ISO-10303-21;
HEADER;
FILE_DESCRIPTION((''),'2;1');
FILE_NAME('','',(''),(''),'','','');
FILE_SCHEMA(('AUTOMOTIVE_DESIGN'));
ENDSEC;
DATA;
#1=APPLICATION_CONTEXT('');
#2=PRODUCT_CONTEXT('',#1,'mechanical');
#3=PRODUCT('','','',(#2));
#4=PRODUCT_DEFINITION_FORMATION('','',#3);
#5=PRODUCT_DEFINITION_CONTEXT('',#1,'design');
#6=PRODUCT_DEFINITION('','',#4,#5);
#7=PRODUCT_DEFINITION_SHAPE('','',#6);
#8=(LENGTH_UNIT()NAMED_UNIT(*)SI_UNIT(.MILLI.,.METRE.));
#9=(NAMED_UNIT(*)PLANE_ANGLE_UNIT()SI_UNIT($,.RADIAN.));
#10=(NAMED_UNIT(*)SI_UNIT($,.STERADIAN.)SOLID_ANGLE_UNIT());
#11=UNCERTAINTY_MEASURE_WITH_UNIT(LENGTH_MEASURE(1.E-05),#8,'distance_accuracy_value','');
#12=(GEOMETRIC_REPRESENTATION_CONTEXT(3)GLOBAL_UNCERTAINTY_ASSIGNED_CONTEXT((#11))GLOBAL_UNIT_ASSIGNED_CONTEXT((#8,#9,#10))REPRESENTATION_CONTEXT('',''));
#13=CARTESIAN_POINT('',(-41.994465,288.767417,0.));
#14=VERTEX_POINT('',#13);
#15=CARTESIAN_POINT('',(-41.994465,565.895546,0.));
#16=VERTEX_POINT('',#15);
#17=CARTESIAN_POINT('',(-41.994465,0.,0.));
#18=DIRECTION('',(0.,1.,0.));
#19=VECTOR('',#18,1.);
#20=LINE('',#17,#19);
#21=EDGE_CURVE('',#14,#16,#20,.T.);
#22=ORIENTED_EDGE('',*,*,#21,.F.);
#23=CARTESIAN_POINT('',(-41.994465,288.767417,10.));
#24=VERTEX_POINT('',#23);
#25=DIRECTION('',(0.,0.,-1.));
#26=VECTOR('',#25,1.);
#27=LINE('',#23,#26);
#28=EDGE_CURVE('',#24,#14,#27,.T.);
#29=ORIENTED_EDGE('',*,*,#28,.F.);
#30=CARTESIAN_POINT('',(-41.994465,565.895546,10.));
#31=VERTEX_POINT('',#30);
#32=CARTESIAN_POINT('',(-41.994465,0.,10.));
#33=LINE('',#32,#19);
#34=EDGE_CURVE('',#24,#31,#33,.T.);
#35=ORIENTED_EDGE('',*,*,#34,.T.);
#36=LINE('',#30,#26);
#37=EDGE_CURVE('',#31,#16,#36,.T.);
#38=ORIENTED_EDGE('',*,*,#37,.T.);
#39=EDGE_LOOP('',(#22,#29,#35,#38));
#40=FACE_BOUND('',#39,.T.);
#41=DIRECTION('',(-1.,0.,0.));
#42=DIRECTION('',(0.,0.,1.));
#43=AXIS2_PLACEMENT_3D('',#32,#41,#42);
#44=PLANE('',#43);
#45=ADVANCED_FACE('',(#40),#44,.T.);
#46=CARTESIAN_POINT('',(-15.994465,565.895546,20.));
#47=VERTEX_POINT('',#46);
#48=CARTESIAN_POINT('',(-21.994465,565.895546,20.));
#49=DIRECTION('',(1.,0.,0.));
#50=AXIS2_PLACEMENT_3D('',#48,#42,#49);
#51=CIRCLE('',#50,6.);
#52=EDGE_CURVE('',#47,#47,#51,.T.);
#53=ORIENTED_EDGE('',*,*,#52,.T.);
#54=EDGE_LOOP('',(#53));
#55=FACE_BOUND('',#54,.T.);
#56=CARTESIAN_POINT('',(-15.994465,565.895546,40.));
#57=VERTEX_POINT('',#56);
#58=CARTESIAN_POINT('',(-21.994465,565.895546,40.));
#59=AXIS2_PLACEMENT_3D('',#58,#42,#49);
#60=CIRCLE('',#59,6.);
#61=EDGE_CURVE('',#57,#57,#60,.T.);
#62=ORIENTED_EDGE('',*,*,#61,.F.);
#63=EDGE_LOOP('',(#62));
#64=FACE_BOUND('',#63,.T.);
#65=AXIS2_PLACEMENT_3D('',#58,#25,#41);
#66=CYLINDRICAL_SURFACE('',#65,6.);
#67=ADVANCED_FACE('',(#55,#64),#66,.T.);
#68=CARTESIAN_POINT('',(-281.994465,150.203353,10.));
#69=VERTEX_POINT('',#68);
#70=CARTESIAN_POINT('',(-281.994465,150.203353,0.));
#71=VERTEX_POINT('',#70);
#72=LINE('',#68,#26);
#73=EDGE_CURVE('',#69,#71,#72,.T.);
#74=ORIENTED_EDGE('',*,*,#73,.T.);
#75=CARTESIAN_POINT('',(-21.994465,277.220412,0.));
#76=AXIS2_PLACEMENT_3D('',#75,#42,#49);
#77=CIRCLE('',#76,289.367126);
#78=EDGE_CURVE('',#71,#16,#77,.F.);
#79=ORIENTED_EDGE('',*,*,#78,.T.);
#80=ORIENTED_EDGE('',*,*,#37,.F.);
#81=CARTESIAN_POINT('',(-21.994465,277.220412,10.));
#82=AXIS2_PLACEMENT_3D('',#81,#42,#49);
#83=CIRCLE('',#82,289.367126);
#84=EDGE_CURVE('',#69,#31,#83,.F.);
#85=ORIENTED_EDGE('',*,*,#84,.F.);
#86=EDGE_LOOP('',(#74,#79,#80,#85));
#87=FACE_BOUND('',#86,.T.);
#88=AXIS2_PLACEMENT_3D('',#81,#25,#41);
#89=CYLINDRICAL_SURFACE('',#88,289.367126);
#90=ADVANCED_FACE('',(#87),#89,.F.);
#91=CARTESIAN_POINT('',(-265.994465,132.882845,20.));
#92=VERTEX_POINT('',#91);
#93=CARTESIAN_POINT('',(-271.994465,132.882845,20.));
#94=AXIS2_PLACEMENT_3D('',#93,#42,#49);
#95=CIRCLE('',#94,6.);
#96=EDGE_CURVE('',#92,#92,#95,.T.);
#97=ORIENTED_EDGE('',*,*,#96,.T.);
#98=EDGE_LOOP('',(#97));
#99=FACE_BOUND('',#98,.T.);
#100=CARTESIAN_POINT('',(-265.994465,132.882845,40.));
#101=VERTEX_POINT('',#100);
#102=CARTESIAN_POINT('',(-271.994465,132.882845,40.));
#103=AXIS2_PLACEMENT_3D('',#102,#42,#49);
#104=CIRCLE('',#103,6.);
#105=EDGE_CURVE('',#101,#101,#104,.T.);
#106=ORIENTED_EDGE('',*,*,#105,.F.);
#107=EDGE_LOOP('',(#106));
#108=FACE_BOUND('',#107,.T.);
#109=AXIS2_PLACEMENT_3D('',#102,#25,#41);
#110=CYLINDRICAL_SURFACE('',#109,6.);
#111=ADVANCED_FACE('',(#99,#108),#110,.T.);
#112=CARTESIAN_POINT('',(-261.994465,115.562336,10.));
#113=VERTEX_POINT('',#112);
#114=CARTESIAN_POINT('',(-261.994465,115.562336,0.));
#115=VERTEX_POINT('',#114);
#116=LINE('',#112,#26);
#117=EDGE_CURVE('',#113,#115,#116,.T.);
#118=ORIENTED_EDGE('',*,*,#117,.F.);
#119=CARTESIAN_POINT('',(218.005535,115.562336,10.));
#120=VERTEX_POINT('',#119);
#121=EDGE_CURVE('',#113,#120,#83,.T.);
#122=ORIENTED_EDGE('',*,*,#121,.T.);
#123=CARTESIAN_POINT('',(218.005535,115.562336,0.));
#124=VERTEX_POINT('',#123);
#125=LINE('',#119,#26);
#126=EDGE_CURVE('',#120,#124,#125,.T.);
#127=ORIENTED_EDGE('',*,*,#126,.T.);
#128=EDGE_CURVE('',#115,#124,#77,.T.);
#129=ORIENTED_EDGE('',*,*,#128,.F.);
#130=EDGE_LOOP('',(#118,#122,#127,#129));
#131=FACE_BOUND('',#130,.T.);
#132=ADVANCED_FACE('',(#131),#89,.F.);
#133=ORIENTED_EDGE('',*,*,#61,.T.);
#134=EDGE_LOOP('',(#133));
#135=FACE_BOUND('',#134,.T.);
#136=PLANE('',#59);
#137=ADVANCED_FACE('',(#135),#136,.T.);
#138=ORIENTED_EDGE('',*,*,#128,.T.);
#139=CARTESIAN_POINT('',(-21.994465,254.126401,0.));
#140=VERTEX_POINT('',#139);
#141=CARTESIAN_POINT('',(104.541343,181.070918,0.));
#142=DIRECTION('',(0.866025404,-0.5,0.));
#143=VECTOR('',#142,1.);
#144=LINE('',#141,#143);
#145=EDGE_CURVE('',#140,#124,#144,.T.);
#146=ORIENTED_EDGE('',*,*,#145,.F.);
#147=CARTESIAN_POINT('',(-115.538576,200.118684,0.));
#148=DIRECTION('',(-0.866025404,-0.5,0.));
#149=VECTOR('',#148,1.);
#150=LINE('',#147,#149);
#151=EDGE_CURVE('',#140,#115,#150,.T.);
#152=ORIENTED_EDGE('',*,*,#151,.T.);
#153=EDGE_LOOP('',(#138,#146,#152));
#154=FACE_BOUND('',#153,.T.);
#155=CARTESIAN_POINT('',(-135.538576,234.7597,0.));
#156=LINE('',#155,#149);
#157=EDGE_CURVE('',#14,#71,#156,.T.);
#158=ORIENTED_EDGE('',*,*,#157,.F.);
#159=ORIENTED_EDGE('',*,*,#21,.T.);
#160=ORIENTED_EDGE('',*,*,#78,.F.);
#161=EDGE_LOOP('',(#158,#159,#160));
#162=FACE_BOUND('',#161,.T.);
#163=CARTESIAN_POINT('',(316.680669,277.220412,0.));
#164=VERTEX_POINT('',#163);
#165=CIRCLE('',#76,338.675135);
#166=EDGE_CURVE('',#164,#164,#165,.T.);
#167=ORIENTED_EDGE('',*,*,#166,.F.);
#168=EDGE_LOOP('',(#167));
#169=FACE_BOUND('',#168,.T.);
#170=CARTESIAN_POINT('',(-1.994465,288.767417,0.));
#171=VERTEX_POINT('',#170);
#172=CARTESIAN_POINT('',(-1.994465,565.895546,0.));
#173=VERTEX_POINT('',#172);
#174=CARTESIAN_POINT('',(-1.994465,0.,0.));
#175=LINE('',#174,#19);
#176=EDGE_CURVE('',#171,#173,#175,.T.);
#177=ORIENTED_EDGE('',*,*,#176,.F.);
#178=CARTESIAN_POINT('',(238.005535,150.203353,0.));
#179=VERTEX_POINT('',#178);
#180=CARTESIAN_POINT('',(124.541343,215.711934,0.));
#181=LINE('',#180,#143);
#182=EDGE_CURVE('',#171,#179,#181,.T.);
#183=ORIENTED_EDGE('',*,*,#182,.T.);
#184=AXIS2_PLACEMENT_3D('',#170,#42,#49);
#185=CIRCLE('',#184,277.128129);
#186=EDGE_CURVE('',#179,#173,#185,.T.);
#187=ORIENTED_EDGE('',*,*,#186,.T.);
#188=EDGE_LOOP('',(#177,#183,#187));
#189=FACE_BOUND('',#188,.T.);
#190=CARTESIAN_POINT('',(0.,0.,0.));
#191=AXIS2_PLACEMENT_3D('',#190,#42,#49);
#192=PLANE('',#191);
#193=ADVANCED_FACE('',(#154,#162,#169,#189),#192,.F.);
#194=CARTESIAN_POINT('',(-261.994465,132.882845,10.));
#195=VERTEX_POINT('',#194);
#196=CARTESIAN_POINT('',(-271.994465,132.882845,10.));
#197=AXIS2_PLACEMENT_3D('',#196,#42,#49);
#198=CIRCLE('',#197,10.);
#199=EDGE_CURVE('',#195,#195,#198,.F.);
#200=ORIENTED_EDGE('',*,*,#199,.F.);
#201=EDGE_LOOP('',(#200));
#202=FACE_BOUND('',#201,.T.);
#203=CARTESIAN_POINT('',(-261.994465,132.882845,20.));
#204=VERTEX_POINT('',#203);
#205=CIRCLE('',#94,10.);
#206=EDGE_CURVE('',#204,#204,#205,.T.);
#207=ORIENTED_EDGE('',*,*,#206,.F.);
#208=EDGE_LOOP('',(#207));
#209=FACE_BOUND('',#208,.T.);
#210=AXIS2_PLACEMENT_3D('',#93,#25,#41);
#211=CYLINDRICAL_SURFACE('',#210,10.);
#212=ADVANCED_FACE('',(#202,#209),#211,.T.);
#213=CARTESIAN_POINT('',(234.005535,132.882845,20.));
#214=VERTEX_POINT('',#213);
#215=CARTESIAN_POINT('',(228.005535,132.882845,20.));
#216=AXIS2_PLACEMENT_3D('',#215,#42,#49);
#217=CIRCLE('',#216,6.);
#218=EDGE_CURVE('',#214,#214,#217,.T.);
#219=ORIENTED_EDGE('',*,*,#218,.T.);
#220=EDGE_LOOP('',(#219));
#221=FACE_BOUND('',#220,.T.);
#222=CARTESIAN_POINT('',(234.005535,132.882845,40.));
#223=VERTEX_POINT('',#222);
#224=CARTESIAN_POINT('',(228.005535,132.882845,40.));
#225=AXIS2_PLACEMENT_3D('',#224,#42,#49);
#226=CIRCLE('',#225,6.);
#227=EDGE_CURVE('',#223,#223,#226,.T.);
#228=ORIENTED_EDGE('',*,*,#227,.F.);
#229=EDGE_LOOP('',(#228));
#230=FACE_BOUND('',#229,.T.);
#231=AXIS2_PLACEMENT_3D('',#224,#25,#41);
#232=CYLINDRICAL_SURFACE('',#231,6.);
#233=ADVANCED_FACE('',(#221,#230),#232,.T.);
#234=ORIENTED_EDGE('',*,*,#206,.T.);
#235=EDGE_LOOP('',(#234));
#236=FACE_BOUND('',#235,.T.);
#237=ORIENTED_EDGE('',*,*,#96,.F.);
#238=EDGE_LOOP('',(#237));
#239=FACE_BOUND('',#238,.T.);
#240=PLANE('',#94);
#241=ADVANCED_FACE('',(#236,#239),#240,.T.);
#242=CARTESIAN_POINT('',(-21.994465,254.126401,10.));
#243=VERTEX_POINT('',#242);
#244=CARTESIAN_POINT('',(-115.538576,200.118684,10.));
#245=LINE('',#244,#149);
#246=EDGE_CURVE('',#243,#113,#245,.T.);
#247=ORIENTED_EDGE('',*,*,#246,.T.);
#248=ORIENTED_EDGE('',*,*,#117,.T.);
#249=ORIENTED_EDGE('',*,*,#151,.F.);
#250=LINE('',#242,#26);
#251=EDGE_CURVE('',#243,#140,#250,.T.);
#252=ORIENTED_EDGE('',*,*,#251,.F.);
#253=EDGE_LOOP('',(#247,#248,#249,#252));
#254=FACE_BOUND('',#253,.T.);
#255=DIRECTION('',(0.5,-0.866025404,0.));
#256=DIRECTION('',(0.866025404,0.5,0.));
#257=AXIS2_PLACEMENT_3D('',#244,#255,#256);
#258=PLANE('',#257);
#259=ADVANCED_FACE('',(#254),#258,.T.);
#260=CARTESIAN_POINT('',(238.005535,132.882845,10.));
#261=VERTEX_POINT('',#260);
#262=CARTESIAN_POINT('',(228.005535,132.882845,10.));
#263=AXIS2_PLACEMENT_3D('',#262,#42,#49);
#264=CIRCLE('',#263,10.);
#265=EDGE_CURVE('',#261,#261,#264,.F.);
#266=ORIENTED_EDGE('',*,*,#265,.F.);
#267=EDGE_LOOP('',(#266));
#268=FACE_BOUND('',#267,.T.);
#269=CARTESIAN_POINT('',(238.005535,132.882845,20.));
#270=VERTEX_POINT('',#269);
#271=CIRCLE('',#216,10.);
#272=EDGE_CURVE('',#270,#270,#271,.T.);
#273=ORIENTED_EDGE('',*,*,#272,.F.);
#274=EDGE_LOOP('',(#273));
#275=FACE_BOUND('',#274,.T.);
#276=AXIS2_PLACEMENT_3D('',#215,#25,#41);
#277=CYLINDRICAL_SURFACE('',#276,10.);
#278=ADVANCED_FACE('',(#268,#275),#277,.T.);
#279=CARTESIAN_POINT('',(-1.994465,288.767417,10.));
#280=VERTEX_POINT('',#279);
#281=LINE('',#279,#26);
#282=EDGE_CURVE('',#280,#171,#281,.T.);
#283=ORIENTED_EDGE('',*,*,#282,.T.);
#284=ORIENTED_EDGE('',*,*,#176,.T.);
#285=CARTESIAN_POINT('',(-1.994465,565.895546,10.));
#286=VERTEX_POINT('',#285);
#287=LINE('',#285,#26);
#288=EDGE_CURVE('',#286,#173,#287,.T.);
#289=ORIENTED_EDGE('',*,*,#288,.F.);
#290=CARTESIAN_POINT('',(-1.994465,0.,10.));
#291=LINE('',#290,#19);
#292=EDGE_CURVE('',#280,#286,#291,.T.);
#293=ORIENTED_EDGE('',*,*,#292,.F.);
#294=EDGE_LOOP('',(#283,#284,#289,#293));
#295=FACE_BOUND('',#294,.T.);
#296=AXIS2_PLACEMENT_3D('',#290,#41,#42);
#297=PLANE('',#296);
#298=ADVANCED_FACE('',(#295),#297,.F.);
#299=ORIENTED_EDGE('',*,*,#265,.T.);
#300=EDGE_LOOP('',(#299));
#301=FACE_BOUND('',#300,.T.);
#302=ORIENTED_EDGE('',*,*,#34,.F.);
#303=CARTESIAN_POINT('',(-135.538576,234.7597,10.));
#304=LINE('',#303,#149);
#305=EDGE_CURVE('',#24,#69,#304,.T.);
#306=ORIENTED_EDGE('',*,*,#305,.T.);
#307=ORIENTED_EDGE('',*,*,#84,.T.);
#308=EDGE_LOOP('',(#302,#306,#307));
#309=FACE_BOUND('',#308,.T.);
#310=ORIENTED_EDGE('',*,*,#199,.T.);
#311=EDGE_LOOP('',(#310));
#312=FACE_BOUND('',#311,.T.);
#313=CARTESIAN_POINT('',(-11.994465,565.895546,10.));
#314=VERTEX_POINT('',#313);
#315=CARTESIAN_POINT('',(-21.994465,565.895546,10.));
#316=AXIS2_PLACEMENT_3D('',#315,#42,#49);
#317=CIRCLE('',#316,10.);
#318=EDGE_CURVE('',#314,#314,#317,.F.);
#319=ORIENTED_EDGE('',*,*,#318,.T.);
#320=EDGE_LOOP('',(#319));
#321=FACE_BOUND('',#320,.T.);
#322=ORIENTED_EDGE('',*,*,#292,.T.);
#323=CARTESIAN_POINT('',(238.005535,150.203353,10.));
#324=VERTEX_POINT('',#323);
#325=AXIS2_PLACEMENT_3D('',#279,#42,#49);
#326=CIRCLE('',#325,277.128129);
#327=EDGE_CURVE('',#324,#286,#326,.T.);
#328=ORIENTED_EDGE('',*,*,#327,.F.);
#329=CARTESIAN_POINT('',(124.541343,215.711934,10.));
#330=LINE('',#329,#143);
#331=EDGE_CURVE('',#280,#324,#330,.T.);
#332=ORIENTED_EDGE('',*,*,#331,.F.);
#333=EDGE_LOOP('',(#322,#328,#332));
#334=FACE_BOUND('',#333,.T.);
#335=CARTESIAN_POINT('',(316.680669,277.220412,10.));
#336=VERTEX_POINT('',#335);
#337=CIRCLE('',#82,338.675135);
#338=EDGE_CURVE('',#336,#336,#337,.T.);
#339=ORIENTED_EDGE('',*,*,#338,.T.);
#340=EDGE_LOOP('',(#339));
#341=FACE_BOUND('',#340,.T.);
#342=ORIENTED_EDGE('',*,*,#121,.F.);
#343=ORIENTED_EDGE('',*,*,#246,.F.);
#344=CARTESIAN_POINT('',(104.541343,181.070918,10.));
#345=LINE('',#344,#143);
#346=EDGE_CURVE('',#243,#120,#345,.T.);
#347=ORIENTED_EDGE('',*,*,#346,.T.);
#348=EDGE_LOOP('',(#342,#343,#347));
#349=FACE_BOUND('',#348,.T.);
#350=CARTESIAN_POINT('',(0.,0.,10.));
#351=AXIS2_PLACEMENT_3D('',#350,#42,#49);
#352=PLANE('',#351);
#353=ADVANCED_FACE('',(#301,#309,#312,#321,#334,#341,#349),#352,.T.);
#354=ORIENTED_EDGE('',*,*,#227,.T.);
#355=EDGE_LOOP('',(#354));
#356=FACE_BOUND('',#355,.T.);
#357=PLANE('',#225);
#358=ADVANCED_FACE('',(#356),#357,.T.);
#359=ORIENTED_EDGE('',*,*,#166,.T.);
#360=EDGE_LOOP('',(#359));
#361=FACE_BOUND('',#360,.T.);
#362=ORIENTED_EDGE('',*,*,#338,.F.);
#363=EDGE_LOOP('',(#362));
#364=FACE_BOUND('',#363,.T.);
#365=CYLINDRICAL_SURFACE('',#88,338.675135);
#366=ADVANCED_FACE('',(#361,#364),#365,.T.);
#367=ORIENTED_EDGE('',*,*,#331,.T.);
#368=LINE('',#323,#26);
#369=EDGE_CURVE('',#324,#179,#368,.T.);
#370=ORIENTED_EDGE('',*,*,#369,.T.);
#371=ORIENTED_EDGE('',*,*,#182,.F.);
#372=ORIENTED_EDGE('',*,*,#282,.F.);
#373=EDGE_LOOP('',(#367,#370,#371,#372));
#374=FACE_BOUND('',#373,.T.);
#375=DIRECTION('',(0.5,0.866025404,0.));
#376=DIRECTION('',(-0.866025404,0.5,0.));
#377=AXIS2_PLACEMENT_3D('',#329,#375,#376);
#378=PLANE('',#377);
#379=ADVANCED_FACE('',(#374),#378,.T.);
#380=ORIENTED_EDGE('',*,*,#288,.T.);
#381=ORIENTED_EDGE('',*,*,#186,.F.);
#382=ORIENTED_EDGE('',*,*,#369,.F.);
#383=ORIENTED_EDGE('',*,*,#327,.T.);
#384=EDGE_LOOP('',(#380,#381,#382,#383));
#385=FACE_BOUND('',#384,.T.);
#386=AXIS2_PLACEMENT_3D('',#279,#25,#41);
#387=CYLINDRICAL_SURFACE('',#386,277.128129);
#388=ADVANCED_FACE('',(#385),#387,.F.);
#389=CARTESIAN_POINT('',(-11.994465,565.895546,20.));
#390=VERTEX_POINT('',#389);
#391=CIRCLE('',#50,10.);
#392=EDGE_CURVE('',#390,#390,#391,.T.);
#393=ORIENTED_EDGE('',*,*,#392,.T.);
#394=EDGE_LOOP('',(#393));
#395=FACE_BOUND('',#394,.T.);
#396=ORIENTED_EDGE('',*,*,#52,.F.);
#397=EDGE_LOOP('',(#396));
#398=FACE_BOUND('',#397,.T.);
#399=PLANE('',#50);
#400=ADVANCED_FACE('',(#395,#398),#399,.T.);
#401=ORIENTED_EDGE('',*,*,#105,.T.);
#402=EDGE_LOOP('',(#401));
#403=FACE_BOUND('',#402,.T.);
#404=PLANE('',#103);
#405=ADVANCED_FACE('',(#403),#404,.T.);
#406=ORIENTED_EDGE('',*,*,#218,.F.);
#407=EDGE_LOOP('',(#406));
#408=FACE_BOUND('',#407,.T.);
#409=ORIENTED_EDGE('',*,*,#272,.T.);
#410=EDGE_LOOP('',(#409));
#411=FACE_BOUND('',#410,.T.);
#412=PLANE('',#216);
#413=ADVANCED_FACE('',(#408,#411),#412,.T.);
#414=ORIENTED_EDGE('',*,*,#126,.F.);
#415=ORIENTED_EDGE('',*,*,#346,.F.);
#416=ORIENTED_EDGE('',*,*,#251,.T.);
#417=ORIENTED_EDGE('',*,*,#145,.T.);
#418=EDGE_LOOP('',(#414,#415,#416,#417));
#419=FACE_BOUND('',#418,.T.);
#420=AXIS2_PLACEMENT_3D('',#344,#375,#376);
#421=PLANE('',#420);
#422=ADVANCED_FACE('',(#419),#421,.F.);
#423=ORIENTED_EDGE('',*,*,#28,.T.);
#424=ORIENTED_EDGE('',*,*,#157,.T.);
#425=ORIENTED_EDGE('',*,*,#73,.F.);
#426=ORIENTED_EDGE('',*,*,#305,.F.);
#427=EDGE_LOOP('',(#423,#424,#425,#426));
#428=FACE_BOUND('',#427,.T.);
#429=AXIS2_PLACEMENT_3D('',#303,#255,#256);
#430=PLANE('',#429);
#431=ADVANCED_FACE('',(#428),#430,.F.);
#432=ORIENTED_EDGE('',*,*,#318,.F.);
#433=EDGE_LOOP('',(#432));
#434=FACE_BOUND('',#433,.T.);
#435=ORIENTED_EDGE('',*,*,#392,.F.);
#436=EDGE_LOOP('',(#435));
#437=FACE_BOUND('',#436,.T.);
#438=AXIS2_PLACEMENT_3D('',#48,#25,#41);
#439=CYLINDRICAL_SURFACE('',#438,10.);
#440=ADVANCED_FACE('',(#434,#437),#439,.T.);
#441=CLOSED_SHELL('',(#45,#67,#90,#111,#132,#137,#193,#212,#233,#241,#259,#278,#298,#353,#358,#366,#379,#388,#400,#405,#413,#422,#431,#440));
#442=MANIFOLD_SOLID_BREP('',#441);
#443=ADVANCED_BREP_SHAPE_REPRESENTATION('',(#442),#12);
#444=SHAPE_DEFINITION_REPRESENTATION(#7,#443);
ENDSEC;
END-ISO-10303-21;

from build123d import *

# Parameters (mm, degrees)
SKETCH1_R           = 338.675134595
BOSS_EXTRUDE1_DEPTH = 10
SKETCH1_4_R         = 6
BOSS_EXTRUDE2_DEPTH = 40
SKETCH1_5_R         = 10
BOSS_EXTRUDE3_DEPTH = 20


with BuildPart() as part:
    # Sketch1 → Boss-Extrude1 (new body)
    with BuildSketch(Plane.XY):
        with Locations((-21.994465127, 277.22041187)):
            Circle(SKETCH1_R)
        with BuildLine():
            Line((-261.994465127, 115.562336497), (-21.994465127, 254.126401103))
            Line((-21.994465127, 254.126401103), (218.005534873, 115.562336497))
            ThreePointArc((218.005534873, 115.562336497), (-21.994465127, -12.146713653), (-261.994465127, 115.562336497))
        make_face(mode=Mode.SUBTRACT)
        with BuildLine():
            Line((-41.994465127, 565.895546465), (-41.994465127, 288.767417254))
            Line((-41.994465127, 288.767417254), (-281.994465127, 150.203352649))
            ThreePointArc((-281.994465127, 150.203352649), (-272.59374685, 421.903974632), (-41.994465127, 565.895546465))
        make_face(mode=Mode.SUBTRACT)
        with BuildLine():
            Line((238.005534873, 150.203352649), (-1.994465127, 288.767417254))
            Line((-1.994465127, 288.767417254), (-1.994465127, 565.895546465))
            ThreePointArc((-1.994465127, 565.895546465), (238.005534873, 427.33148186), (238.005534873, 150.203352649))
        make_face(mode=Mode.SUBTRACT)
    extrude(amount=BOSS_EXTRUDE1_DEPTH)

    # Sketch1<4> → Boss-Extrude2 (add)
    with BuildSketch(Plane.XY):
        with Locations((228.005534873, 132.882844573)):
            Circle(SKETCH1_4_R)
        with Locations((-271.994465127, 132.882844573)):
            Circle(SKETCH1_4_R)
        with Locations((-21.994465127, 565.895546465)):
            Circle(SKETCH1_4_R)
    extrude(amount=BOSS_EXTRUDE2_DEPTH)

    # Sketch1<5> → Boss-Extrude3 (add)
    with BuildSketch(Plane.XY):
        with Locations((-271.994465127, 132.882844573)):
            Circle(SKETCH1_5_R)
        with Locations((-21.994465127, 565.895546465)):
            Circle(SKETCH1_5_R)
        with Locations((228.005534873, 132.882844573)):
            Circle(SKETCH1_5_R)
    extrude(amount=BOSS_EXTRUDE3_DEPTH)


solid = part.part
